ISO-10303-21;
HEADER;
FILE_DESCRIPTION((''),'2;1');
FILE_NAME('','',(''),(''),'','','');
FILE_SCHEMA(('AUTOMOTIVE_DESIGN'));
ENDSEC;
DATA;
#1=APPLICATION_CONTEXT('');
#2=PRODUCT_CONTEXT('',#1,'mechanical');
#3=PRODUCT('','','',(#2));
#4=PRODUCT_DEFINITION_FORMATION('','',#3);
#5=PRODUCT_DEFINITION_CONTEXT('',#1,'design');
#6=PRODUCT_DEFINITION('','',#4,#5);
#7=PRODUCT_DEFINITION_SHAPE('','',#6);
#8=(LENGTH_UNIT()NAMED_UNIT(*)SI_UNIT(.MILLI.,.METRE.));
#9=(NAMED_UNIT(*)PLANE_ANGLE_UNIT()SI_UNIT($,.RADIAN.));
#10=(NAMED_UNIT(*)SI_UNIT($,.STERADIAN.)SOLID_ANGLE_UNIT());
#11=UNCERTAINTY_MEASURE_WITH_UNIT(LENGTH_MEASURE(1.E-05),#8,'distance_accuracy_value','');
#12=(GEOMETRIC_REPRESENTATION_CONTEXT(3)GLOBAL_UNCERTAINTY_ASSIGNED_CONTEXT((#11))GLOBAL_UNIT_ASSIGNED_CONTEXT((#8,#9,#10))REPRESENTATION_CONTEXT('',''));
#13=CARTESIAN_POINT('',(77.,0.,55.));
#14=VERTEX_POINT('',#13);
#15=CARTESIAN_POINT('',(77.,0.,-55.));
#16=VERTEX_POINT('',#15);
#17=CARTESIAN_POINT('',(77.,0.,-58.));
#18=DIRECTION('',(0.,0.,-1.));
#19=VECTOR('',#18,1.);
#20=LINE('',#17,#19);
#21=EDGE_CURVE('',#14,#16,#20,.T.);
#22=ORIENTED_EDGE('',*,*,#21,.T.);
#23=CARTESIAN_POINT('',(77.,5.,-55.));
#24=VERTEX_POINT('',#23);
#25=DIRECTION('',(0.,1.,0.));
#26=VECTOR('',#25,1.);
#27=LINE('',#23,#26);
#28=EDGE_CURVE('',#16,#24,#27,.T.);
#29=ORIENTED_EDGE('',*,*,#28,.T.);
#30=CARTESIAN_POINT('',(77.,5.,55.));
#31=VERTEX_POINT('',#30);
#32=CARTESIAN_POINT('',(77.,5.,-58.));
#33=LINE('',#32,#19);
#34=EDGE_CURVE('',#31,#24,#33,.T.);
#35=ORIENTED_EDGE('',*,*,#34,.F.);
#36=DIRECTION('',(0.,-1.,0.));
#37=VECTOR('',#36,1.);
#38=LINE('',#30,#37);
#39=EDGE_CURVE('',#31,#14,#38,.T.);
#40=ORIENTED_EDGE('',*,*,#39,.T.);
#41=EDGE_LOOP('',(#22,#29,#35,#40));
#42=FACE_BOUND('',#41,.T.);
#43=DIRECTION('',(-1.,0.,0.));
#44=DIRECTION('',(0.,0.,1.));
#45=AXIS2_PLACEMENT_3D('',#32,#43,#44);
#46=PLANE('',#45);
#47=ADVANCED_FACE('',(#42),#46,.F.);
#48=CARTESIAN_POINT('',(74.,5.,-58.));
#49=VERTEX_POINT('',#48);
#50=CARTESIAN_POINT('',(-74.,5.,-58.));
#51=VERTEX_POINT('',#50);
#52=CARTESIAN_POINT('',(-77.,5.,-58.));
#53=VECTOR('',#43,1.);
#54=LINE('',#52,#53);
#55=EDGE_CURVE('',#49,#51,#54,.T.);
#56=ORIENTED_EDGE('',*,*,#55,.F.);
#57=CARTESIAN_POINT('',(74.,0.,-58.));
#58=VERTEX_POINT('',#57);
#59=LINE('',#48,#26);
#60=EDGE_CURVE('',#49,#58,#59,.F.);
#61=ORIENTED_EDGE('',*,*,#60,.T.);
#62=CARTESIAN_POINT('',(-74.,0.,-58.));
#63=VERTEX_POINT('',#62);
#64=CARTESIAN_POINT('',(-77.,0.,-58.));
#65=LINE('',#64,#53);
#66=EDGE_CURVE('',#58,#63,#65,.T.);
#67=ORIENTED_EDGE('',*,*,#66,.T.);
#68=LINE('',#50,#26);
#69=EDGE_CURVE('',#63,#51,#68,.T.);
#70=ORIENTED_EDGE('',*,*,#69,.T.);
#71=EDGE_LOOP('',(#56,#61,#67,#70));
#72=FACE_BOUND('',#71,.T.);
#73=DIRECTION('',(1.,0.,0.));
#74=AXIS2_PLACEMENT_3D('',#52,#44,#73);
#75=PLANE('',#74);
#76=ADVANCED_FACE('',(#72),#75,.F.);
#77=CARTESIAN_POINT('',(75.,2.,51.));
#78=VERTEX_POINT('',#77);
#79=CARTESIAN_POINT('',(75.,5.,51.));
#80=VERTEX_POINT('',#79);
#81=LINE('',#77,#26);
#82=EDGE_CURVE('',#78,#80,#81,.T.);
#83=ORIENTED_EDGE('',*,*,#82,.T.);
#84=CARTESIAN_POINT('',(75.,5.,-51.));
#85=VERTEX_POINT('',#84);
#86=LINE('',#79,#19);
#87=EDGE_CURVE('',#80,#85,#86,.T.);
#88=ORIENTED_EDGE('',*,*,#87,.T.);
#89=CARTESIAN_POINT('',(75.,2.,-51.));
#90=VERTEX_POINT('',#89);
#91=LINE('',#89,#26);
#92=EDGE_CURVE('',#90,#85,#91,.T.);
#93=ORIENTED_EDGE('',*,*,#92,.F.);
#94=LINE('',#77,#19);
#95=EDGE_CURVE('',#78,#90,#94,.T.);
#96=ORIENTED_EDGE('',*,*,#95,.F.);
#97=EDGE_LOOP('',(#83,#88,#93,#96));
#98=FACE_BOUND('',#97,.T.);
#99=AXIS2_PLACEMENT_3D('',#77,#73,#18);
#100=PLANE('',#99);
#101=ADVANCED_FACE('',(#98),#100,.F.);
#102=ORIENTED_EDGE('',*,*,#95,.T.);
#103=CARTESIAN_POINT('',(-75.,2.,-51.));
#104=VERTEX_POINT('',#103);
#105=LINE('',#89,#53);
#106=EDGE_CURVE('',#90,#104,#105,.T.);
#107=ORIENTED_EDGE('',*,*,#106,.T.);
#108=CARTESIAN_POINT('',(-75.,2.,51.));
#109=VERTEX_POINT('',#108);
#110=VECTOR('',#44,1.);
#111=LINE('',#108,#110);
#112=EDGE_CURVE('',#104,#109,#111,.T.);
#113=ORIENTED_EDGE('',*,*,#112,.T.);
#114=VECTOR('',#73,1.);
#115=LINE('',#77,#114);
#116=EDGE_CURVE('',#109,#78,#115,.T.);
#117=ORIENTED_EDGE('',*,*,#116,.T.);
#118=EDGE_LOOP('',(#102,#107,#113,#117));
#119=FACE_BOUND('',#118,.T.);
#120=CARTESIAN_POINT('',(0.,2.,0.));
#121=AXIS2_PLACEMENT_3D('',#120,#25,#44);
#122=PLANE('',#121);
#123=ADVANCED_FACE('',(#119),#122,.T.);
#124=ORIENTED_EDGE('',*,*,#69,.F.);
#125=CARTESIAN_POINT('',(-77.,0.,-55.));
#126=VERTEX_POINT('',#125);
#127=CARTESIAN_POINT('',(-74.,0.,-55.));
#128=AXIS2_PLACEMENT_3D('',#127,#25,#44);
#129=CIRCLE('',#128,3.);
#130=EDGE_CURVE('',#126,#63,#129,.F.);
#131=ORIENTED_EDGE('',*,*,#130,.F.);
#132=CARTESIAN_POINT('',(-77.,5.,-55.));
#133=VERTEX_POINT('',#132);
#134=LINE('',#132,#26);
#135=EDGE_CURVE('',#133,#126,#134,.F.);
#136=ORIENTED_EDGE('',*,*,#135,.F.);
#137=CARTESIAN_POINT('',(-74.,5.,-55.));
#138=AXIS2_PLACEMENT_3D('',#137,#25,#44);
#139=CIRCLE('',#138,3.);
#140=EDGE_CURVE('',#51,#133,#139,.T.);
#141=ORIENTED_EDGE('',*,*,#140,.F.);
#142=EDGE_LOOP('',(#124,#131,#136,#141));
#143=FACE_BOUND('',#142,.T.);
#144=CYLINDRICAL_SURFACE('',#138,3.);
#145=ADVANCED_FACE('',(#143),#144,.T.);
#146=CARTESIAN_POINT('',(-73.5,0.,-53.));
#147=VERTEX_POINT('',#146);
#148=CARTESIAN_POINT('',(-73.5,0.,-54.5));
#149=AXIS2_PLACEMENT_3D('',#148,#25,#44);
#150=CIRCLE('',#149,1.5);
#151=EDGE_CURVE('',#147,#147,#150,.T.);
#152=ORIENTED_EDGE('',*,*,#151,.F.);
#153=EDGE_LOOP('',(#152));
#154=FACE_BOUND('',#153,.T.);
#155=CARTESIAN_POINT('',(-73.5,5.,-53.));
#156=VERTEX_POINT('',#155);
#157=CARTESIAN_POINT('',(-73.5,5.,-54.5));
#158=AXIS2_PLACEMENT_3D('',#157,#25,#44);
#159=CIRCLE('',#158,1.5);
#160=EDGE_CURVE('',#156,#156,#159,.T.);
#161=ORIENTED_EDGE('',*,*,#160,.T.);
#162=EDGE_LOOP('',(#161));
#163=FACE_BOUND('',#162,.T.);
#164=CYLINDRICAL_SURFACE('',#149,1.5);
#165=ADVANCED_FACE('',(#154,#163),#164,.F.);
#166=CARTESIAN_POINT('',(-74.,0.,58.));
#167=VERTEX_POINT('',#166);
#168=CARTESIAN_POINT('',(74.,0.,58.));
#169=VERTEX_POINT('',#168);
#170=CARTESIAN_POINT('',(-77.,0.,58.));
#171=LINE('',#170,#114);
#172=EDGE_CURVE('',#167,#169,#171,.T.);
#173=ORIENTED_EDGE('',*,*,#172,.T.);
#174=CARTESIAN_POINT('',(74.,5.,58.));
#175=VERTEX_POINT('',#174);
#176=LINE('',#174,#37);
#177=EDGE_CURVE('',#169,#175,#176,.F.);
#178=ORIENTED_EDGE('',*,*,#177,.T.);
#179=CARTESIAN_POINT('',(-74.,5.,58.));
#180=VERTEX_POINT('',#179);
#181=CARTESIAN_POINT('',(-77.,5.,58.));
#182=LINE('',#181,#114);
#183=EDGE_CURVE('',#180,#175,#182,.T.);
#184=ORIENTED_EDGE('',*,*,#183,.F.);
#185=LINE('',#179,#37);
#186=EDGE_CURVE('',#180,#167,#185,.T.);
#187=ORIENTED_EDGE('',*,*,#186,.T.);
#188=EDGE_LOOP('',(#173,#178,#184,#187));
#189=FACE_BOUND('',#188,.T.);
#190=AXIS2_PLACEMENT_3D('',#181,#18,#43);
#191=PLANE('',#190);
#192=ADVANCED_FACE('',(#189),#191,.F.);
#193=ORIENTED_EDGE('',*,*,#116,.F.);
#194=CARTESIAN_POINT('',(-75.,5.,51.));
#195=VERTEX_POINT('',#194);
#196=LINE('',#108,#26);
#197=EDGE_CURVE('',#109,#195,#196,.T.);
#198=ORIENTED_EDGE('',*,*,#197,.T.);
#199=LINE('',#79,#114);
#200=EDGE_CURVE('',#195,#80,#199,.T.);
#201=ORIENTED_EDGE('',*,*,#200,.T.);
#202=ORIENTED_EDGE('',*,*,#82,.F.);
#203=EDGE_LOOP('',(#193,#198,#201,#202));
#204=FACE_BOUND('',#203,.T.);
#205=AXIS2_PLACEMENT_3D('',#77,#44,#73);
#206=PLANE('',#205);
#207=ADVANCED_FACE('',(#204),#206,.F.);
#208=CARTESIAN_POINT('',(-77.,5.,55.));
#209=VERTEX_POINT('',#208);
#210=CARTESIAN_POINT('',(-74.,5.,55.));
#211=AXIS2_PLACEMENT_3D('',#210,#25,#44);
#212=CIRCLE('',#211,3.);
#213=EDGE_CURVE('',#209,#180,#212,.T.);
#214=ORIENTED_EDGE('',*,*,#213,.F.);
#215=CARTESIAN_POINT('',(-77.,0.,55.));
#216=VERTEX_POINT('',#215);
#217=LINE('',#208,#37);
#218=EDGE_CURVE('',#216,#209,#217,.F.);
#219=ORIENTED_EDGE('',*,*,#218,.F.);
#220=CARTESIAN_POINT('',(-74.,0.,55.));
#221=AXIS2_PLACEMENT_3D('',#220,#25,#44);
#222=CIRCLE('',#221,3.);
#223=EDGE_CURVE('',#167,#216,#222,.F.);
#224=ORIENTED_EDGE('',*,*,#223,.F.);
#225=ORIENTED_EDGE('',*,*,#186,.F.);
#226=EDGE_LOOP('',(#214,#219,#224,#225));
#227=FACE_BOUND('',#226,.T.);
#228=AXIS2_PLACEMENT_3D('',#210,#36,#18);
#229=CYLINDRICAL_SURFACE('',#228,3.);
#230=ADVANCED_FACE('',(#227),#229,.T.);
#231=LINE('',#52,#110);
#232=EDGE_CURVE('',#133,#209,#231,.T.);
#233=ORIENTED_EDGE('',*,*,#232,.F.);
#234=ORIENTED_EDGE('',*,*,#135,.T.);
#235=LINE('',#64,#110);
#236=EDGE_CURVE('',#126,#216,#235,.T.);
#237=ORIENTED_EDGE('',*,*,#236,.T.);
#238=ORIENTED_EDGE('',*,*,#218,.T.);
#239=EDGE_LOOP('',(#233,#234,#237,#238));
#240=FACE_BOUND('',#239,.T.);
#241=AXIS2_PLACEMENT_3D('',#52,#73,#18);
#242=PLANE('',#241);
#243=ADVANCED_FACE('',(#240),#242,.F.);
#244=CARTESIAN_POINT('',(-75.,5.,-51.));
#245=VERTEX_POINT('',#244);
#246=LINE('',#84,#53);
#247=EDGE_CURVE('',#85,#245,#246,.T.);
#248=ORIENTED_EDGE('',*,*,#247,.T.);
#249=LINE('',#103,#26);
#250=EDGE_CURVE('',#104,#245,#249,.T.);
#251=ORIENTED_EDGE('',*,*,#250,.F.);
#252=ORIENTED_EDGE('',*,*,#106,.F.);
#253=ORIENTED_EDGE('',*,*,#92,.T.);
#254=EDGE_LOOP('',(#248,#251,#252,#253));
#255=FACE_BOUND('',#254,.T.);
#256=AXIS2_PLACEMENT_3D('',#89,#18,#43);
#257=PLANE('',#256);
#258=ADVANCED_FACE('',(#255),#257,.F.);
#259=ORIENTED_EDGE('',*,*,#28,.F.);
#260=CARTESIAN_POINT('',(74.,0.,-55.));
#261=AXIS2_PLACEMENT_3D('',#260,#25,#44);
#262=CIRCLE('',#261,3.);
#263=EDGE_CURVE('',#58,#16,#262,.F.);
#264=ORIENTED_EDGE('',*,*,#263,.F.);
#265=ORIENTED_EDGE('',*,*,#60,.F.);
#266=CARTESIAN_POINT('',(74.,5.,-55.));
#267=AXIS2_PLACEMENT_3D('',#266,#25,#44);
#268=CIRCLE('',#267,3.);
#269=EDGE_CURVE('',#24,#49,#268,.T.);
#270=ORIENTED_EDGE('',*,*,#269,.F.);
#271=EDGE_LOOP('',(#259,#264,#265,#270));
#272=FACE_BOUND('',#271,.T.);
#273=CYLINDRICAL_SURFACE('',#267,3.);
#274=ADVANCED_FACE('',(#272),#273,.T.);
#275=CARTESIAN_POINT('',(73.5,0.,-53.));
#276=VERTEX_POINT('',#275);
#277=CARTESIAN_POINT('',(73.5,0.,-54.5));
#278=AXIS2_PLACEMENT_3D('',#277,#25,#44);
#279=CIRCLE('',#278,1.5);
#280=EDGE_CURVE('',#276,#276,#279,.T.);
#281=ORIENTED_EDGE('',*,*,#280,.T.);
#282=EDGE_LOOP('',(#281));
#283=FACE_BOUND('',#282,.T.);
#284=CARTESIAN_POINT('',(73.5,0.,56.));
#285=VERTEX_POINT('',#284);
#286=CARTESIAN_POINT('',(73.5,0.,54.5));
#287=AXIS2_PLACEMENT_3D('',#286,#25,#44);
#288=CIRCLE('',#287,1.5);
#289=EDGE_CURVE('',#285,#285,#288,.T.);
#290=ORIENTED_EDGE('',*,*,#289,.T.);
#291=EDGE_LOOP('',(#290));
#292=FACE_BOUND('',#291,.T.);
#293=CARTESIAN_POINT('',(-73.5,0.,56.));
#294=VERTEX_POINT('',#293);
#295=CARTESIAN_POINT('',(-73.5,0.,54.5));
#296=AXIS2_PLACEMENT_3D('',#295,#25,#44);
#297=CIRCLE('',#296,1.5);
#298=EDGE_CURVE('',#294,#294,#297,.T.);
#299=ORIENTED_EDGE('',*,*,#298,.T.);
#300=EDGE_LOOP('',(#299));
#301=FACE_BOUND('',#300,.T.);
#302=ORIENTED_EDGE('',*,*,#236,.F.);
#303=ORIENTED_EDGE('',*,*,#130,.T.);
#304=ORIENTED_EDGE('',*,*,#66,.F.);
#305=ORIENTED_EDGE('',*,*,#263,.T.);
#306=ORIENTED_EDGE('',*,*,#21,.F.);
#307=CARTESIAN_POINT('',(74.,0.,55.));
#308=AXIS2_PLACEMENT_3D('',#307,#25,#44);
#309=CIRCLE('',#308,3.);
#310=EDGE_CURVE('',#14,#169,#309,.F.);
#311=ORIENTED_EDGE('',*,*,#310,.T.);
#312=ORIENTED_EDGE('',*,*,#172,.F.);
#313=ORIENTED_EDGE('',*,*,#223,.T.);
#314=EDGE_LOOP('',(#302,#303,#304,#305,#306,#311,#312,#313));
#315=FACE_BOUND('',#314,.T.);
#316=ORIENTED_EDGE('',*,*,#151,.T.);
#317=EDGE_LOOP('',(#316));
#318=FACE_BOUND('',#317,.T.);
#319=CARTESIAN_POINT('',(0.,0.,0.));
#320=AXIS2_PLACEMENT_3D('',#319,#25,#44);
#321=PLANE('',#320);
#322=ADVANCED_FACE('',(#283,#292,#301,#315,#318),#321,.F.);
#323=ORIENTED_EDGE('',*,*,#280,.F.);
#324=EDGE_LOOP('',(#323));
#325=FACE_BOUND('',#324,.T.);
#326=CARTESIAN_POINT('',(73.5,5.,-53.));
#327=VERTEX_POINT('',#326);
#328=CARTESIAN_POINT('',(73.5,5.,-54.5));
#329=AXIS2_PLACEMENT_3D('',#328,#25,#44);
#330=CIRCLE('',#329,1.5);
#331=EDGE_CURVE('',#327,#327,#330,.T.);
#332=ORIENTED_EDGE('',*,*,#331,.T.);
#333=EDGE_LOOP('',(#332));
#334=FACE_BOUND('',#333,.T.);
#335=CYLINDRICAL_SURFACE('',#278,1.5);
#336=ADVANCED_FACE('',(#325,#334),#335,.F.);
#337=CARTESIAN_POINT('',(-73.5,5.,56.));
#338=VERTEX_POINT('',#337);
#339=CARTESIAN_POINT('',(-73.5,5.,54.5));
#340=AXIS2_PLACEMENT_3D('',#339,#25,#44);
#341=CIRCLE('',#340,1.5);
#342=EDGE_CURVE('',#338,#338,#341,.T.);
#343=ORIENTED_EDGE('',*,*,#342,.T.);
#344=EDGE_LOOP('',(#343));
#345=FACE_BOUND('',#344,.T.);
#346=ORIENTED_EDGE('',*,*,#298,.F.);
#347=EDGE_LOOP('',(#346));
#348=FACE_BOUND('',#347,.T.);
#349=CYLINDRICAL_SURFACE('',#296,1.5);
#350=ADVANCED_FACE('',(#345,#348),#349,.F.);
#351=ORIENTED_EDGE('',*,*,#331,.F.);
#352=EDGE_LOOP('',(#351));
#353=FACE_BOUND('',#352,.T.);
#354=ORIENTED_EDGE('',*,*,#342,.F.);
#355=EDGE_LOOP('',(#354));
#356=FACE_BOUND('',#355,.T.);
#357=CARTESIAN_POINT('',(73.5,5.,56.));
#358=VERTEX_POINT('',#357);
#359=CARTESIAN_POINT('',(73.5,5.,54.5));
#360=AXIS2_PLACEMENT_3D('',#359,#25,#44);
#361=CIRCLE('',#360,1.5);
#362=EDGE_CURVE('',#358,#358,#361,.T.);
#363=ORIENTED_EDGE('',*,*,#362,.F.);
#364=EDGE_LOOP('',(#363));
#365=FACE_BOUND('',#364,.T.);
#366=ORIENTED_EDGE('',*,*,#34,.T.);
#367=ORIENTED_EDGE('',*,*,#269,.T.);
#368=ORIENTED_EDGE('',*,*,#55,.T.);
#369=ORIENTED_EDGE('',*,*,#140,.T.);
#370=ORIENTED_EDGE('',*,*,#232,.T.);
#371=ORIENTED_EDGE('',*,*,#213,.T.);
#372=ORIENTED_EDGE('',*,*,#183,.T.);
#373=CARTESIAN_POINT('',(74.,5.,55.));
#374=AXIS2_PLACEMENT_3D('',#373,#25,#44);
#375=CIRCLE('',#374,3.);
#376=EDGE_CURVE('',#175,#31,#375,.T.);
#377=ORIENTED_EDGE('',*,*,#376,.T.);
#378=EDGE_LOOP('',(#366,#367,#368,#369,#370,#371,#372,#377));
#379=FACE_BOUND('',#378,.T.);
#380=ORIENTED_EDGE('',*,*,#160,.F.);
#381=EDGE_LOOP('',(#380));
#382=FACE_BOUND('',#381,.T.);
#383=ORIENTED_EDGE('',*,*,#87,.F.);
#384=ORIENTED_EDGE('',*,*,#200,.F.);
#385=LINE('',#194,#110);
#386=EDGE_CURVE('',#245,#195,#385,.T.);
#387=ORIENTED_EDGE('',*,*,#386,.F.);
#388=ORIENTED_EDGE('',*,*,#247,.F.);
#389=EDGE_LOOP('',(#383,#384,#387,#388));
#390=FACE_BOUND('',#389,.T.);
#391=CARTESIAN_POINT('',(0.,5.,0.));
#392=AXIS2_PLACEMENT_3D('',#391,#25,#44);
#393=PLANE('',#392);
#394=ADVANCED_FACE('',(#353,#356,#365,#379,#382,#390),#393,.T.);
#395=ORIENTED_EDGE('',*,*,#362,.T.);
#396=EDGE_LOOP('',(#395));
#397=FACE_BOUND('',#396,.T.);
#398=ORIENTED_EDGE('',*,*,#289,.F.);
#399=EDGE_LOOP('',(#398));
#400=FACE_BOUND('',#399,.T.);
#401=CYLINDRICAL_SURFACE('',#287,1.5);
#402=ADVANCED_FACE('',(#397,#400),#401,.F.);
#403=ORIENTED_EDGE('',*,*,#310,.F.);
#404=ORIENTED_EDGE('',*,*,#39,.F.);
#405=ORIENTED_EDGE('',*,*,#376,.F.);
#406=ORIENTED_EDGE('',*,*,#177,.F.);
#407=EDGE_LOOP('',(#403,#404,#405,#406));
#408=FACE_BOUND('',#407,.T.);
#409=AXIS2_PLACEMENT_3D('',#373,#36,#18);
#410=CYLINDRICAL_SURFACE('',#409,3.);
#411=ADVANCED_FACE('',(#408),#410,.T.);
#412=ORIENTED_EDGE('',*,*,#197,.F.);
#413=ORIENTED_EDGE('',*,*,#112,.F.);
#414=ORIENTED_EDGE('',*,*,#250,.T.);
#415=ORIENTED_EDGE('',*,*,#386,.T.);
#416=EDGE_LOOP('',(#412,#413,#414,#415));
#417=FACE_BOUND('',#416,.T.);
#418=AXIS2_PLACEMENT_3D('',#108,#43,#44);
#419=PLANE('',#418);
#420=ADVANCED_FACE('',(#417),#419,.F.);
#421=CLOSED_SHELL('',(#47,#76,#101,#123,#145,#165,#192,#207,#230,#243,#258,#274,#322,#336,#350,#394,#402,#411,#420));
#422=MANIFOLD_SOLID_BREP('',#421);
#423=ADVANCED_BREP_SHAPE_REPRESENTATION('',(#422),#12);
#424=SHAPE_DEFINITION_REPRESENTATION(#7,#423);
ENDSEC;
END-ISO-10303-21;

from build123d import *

# Parameters (mm, degrees)
SKETCH1_W           = 154
SKETCH1_H           = 116
BOSS_EXTRUDE1_DEPTH = 5
SKETCH2_W           = 150
SKETCH2_H           = 102
CUT_EXTRUDE1_DEPTH  = 3
SKETCH3_R           = 1.5
CUT_EXTRUDE2_DEPTH  = 97.529788149
FILLET1_R           = 3
FILLET2_R           = 3
FILLET3_R           = 3
FILLET4_R           = 3


with BuildPart() as part:
    # Sketch1 → Boss-Extrude1 (new body)
    with BuildSketch(Plane(origin=(0, 0, 0), x_dir=(1, 0, 0), z_dir=(0, 1, 0))):
        Rectangle(SKETCH1_W, SKETCH1_H)
    extrude(amount=BOSS_EXTRUDE1_DEPTH)

    # Sketch2 → Cut-Extrude1 (cut)
    with BuildSketch(Plane(origin=(0, 5, 0), x_dir=(1, 0, 0), z_dir=(0, 1, 0))):
        Rectangle(SKETCH2_W, SKETCH2_H)
    extrude(amount=-CUT_EXTRUDE1_DEPTH, mode=Mode.SUBTRACT)

    # Sketch3 → Cut-Extrude2 (cut, through all)
    with BuildSketch(Plane(origin=(0, 5, 0), x_dir=(1, 0, 0), z_dir=(0, 1, 0))):
        with Locations(Location((-73.5, 54.5, 0), (0, 0, 270))):
            Circle(SKETCH3_R)
        with Locations(Location((73.5, 54.5, 0), (0, 0, 270))):
            Circle(SKETCH3_R)
        with Locations(Location((73.5, -54.5, 0), (0, 0, 270))):
            Circle(SKETCH3_R)
        with Locations(Location((-73.5, -54.5, 0), (0, 0, 270))):
            Circle(SKETCH3_R)
    extrude(amount=-CUT_EXTRUDE2_DEPTH, mode=Mode.SUBTRACT)

    # Fillet1
    fillet1_edges = [part.edges().sort_by_distance(p)[0] for p in [
        (77, 2.5, 58),
    ]]
    fillet(fillet1_edges, radius=FILLET1_R)

    # Fillet2
    fillet2_edges = [part.edges().sort_by_distance(p)[0] for p in [
        (-77, 2.5, 58),
    ]]
    fillet(fillet2_edges, radius=FILLET2_R)

    # Fillet3
    fillet3_edges = [part.edges().sort_by_distance(p)[0] for p in [
        (-77, 2.5, -58),
    ]]
    fillet(fillet3_edges, radius=FILLET3_R)

    # Fillet4
    fillet4_edges = [part.edges().sort_by_distance(p)[0] for p in [
        (77, 2.5, -58),
    ]]
    fillet(fillet4_edges, radius=FILLET4_R)


solid = part.part
